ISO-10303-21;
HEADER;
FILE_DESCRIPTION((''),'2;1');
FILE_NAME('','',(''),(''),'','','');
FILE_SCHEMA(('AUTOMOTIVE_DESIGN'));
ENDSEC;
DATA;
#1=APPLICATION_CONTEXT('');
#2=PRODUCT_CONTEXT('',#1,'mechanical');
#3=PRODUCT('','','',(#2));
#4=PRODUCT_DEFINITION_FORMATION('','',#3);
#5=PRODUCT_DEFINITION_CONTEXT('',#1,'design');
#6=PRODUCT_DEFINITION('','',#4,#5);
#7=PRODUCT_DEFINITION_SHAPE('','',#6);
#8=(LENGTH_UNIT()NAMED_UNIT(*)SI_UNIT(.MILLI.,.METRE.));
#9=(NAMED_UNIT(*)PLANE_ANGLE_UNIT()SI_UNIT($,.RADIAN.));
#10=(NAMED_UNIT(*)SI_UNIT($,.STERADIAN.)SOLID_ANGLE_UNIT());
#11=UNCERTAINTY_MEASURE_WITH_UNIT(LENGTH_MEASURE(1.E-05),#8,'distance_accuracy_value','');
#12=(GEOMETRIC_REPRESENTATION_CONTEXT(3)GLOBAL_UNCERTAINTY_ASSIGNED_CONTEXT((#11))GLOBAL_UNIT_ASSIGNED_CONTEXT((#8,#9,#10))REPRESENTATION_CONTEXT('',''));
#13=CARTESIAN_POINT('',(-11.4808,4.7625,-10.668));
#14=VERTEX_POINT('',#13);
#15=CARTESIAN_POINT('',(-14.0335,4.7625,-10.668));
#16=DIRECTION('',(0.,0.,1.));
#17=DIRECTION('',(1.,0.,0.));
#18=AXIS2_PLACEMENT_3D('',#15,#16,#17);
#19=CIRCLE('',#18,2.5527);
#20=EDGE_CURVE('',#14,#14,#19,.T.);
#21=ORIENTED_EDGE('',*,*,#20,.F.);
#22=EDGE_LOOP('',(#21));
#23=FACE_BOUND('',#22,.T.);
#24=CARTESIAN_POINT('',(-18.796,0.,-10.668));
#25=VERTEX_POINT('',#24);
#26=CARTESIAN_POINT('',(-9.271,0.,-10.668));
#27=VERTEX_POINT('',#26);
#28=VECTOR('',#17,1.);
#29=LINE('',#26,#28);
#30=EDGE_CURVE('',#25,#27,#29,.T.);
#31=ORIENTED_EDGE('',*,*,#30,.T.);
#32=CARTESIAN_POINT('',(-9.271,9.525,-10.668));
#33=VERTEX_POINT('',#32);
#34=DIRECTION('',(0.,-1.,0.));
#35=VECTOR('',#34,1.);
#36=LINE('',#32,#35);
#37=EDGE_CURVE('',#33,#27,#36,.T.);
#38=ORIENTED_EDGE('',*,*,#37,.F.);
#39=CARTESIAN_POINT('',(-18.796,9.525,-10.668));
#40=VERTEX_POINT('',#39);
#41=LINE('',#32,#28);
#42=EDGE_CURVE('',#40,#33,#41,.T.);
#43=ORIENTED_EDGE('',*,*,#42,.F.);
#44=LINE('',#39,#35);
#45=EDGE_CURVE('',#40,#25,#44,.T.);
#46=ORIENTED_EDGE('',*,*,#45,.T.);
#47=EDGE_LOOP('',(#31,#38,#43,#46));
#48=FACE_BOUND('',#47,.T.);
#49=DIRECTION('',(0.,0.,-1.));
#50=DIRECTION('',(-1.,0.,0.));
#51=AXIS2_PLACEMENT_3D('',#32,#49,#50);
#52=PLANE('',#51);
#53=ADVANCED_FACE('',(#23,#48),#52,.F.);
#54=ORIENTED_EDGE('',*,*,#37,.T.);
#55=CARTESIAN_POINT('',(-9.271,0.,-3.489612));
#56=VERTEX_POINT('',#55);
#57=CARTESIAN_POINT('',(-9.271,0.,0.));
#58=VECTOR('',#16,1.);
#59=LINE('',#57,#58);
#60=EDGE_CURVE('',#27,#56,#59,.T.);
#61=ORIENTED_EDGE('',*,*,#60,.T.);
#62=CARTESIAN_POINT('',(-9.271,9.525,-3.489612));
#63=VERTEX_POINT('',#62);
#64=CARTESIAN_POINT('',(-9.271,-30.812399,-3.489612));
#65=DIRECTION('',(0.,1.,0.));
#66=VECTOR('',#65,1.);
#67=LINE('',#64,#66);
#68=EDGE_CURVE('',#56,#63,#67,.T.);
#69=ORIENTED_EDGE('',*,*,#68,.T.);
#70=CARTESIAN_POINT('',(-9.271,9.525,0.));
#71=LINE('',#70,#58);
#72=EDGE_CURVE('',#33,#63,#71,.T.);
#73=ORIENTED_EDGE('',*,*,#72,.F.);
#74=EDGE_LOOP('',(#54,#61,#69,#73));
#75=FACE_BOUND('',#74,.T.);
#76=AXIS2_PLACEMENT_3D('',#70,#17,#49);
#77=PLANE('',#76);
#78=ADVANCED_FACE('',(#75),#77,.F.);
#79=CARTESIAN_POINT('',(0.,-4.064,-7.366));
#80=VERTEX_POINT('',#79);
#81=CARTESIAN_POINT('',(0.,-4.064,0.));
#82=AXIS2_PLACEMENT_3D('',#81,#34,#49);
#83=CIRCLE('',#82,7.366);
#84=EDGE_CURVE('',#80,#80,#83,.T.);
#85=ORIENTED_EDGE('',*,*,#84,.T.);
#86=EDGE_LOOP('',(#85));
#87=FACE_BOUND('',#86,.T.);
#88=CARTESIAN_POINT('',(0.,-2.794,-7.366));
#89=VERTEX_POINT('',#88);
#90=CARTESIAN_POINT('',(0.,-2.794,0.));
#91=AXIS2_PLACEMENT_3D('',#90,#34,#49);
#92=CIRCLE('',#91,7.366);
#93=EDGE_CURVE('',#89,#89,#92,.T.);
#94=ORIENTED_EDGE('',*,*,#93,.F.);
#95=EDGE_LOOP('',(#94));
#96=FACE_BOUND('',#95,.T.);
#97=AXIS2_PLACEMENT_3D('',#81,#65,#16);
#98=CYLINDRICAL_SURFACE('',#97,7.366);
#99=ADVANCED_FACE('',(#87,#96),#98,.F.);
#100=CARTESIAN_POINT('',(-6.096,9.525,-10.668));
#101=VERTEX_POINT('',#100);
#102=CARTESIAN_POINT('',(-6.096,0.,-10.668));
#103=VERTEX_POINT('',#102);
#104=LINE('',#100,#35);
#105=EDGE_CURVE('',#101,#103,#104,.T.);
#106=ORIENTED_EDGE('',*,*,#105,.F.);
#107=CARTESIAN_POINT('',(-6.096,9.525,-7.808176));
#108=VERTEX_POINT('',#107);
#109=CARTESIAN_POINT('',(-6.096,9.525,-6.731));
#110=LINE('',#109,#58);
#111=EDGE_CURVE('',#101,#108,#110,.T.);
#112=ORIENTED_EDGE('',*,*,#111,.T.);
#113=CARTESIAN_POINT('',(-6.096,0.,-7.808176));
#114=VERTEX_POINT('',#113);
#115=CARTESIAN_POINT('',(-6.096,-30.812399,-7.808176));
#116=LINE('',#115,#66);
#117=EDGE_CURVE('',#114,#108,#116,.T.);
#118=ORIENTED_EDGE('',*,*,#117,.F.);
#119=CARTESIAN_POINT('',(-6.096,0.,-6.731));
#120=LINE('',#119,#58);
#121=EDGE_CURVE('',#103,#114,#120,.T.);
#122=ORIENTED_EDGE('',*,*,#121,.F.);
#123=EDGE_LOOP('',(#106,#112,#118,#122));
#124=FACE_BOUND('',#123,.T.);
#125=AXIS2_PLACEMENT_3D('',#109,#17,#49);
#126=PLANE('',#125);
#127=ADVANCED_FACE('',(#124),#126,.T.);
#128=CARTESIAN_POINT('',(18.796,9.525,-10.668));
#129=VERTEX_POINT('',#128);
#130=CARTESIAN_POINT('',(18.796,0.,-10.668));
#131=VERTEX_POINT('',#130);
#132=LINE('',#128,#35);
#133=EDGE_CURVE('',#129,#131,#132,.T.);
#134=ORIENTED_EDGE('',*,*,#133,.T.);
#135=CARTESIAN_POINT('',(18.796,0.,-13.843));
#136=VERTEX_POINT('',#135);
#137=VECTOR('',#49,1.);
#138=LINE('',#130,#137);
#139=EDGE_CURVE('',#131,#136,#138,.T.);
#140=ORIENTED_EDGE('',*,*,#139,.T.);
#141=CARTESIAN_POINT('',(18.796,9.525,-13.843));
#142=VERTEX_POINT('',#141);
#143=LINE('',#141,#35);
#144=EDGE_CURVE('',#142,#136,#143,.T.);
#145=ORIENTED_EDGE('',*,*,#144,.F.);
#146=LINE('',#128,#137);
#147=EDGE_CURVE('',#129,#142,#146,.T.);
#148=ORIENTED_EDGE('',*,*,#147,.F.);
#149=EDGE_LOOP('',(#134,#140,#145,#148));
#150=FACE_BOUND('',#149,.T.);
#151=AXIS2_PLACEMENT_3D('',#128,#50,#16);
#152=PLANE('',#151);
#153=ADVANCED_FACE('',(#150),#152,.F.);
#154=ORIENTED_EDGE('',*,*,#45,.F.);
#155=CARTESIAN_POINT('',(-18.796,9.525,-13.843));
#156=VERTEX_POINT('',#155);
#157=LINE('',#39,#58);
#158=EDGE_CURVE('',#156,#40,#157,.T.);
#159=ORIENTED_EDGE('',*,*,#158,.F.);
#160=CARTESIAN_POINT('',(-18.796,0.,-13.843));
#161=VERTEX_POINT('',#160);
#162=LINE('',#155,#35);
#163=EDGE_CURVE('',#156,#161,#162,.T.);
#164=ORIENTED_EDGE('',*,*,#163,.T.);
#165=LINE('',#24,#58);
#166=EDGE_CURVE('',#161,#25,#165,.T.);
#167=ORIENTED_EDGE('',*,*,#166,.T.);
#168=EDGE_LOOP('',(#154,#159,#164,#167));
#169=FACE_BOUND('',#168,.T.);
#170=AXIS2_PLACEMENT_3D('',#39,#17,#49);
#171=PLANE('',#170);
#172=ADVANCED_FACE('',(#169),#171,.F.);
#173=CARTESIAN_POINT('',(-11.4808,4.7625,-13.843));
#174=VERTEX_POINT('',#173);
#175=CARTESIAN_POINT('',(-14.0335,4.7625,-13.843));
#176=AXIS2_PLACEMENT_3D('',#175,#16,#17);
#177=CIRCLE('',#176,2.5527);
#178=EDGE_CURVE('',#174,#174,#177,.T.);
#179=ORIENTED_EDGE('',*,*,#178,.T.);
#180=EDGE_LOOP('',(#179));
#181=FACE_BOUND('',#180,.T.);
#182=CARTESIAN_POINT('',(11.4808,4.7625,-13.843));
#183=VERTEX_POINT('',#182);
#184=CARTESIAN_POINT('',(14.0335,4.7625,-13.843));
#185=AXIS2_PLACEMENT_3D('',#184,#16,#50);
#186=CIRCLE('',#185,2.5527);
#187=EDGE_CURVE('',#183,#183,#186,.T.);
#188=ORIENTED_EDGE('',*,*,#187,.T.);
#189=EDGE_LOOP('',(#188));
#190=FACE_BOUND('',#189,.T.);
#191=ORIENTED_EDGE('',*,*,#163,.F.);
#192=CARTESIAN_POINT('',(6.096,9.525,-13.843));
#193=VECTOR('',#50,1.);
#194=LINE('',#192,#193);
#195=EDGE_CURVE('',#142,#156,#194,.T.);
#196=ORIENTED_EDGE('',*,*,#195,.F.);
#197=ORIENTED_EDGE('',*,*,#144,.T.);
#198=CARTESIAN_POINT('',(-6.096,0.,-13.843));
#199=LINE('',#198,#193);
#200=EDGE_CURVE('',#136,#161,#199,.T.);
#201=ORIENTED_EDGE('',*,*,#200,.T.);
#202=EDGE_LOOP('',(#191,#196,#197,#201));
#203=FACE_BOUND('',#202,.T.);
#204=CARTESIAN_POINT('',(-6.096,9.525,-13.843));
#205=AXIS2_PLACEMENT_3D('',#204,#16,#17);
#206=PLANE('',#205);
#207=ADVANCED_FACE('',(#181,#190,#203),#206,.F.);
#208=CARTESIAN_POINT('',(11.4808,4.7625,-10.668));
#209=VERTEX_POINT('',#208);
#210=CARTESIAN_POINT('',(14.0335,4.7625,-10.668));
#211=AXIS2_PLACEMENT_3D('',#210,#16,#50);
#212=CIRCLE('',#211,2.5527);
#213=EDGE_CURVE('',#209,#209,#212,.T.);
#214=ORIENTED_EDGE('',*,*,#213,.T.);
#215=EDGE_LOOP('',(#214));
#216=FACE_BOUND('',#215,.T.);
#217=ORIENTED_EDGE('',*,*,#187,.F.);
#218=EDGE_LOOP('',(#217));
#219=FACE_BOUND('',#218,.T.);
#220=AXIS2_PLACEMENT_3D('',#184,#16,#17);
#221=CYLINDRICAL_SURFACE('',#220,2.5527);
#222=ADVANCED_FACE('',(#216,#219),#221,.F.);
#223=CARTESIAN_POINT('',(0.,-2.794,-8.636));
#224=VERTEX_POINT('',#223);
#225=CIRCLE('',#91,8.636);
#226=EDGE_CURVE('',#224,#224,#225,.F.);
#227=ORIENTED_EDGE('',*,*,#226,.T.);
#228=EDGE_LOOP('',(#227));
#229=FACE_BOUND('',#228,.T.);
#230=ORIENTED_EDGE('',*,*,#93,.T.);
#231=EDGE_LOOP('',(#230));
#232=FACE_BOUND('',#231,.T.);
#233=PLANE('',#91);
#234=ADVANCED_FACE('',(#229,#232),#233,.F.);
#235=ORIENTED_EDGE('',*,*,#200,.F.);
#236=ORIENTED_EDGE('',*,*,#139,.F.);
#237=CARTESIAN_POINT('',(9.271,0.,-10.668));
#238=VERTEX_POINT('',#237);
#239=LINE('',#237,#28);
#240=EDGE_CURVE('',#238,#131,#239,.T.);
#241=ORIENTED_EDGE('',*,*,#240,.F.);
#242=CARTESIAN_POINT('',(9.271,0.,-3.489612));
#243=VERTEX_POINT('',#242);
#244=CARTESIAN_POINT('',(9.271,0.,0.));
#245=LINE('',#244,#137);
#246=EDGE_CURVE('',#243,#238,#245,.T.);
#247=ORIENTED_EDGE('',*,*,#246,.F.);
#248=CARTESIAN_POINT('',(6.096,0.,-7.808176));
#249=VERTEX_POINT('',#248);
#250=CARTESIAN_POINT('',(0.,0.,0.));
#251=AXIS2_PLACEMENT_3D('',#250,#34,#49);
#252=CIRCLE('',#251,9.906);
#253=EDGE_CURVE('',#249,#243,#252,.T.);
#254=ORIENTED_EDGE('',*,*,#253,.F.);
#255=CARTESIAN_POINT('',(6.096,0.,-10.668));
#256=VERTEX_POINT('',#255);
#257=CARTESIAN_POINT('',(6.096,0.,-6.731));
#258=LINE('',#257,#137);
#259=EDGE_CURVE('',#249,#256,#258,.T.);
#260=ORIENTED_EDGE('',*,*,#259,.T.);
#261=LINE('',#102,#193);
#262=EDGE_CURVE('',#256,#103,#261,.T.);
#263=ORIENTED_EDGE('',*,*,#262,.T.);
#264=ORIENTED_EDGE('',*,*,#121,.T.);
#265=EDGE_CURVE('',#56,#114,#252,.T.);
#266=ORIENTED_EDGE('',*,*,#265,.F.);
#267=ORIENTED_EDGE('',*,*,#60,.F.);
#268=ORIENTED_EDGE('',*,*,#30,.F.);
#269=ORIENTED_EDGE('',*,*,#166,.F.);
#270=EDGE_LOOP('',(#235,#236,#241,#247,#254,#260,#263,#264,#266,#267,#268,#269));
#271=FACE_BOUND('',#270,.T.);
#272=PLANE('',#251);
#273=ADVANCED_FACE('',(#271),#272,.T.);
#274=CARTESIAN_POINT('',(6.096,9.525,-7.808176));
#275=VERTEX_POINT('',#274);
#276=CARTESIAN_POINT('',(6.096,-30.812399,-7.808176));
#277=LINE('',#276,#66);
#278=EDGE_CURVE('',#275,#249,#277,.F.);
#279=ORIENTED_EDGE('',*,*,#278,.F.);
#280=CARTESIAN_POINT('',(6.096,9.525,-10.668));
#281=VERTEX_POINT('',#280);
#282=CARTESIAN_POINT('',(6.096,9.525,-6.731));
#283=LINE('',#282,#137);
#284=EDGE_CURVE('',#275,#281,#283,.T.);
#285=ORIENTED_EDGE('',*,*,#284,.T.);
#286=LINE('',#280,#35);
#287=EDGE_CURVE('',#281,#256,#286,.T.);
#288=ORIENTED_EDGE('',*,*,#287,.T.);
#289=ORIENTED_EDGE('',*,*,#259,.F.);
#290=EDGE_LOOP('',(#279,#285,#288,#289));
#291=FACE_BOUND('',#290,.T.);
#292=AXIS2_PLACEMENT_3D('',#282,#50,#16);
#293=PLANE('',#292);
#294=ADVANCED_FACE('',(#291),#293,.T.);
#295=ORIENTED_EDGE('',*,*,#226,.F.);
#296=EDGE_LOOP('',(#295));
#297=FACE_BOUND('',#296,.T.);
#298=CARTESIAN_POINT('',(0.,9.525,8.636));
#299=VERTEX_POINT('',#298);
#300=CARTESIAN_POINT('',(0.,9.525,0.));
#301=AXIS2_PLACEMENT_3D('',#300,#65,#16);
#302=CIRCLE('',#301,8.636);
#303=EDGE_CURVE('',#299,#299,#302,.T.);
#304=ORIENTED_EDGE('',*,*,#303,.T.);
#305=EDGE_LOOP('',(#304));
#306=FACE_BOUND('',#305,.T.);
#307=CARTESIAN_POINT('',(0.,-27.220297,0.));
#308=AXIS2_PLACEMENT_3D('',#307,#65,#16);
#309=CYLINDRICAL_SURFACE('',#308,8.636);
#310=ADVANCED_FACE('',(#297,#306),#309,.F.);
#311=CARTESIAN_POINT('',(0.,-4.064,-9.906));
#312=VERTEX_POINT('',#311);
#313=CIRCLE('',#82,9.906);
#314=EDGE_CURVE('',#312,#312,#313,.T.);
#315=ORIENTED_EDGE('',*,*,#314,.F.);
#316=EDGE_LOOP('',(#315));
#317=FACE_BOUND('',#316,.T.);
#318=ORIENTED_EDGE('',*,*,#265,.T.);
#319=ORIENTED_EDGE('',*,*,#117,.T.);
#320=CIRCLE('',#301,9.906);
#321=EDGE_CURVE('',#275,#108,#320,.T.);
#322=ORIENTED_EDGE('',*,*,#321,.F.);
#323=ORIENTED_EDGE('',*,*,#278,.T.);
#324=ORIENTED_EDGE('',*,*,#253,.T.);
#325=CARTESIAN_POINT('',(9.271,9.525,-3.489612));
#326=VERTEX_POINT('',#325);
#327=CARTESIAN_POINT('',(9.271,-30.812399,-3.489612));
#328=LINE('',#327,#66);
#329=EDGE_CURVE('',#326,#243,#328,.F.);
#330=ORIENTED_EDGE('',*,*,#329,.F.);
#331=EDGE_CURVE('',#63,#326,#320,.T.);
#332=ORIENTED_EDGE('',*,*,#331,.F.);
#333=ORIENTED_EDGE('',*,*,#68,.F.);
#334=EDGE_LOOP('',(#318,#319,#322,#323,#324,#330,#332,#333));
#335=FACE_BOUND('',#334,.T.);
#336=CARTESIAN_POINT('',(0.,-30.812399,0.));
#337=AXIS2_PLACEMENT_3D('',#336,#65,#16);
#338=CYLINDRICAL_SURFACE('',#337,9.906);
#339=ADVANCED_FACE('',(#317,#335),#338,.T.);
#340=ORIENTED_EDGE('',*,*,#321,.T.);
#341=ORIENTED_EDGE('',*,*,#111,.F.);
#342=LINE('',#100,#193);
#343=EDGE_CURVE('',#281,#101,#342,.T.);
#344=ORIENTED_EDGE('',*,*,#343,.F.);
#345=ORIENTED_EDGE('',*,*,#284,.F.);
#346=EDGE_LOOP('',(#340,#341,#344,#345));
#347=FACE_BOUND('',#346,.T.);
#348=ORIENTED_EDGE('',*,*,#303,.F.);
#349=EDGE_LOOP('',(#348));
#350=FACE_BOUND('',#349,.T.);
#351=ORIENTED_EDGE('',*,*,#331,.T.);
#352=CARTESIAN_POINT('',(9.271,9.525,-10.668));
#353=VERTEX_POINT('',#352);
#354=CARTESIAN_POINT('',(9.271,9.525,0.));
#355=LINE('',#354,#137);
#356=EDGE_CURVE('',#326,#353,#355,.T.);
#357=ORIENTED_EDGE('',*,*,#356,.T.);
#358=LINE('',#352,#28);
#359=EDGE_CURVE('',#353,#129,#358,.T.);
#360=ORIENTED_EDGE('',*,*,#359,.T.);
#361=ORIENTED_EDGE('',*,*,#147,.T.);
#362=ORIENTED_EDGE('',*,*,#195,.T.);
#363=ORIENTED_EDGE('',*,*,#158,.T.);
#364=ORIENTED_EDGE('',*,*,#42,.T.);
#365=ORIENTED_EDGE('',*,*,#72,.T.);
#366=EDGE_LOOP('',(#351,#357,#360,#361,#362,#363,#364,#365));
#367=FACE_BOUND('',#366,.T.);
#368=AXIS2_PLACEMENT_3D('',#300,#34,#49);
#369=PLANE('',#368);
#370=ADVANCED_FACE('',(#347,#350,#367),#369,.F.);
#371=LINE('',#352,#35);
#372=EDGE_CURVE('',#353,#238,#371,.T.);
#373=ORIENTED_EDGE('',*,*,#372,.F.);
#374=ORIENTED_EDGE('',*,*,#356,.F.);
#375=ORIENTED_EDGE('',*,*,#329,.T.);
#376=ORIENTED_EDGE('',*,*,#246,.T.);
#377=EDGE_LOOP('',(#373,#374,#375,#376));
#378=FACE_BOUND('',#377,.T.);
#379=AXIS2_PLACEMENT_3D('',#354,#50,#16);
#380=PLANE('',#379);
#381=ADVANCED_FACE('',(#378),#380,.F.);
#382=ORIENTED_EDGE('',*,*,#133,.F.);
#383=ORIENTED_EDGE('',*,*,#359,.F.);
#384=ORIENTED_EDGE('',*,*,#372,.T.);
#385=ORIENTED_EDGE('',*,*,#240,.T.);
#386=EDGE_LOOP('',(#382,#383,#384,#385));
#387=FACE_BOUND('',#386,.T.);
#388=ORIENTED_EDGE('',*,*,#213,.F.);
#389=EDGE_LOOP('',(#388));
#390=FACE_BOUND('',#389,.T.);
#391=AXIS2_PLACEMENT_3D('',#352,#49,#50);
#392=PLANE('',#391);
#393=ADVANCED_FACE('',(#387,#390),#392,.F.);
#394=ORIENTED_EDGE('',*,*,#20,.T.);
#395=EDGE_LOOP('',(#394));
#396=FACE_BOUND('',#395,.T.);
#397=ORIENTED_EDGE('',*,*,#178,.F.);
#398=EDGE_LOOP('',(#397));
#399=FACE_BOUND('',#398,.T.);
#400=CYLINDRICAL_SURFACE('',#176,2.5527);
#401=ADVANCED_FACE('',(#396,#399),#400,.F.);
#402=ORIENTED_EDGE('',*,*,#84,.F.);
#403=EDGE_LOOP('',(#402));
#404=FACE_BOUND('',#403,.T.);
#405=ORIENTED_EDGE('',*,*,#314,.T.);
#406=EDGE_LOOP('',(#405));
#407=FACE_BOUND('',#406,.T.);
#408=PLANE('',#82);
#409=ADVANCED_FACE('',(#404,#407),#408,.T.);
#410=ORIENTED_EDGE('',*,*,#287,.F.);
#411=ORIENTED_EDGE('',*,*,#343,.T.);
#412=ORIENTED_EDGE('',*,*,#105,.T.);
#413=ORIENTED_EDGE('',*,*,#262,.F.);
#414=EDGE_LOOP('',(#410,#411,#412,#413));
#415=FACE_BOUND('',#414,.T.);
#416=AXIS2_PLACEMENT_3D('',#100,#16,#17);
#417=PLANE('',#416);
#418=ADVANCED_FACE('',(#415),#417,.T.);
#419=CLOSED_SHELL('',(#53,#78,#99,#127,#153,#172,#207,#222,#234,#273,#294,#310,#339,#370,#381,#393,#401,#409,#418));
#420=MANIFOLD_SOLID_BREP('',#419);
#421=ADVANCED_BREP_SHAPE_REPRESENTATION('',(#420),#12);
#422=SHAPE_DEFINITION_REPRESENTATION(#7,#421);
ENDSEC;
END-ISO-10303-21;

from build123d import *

# Parameters (mm, degrees)
SKETCH1_R           = 6.096
BOSS_EXTRUDE1_DEPTH = 9.525
SKETCH2_R           = 2.5527
CUT_EXTRUDE1_DEPTH  = 4.175
SKETCH3_R           = 9.271
SKETCH3_R_2         = 6.096
BOSS_EXTRUDE2_DEPTH = 2.794
SKETCH6_R           = 9.906
SKETCH6_R_2         = 8.636
BOSS_EXTRUDE4_DEPTH = 12.319
SKETCH5_R           = 8.636
CUT_EXTRUDE2_DEPTH  = 12.319
SKETCH4_R           = 9.906
SKETCH4_R_2         = 7.366
BOSS_EXTRUDE3_DEPTH = 1.27


with BuildPart() as part:
    # Sketch1 → Boss-Extrude1 (new body)
    with BuildSketch(Plane(origin=(0, 0, 0), x_dir=(1, 0, 0), z_dir=(0, 1, 0))):
        with BuildLine():
            Line((-9.271, 0), (-9.271, 10.668))
            Line((-9.271, 10.668), (-18.796, 10.668))
            Line((-18.796, 10.668), (-18.796, 13.843))
            Line((-18.796, 13.843), (-6.096, 13.843))
            Line((-6.096, 13.843), (6.096, 13.843))
            Line((6.096, 13.843), (18.796, 13.843))
            Line((18.796, 13.843), (18.796, 10.668))
            Line((18.796, 10.668), (9.271, 10.668))
            Line((9.271, 10.668), (9.271, 0))
            ThreePointArc((9.271, 0), (0, -9.271), (-9.271, 0))
        make_face()
        Circle(SKETCH1_R, mode=Mode.SUBTRACT)
        with BuildLine():
            Line((-6.096, 6.731), (-6.096, 10.668))
            Line((-6.096, 10.668), (6.096, 10.668))
            Line((6.096, 10.668), (6.096, 6.731))
            ThreePointArc((6.096, 6.731), (0, 9.081166059), (-6.096, 6.731))
        make_face(mode=Mode.SUBTRACT)
    extrude(amount=BOSS_EXTRUDE1_DEPTH)

    # Sketch2 → Cut-Extrude1 (cut, through all)
    with BuildSketch(Plane.XY.offset(-10.668)):
        with Locations((-14.0335, 4.7625)):
            Circle(SKETCH2_R)
        with Locations((14.0335, 4.7625)):
            Circle(SKETCH2_R)
    extrude(amount=-CUT_EXTRUDE1_DEPTH, mode=Mode.SUBTRACT)

    # Sketch3 → Boss-Extrude2 (add)
    with BuildSketch(Plane(origin=(0, 0, 0), x_dir=(-1, 0, 0), z_dir=(0, -1, 0))):
        Circle(SKETCH3_R)
        Circle(SKETCH3_R_2, mode=Mode.SUBTRACT)
    extrude(amount=BOSS_EXTRUDE2_DEPTH)

    # Sketch6 → Boss-Extrude4 (add)
    with BuildSketch(Plane(origin=(0, 9.525, 0), x_dir=(1, 0, 0), z_dir=(0, 1, 0))):
        Circle(SKETCH6_R)
        Circle(SKETCH6_R_2, mode=Mode.SUBTRACT)
    extrude(amount=-BOSS_EXTRUDE4_DEPTH)

    # Sketch5 → Cut-Extrude2 (cut)
    with BuildSketch(Plane(origin=(0, 9.525, 0), x_dir=(1, 0, 0), z_dir=(0, 1, 0))):
        Circle(SKETCH5_R)
    extrude(amount=-CUT_EXTRUDE2_DEPTH, mode=Mode.SUBTRACT)

    # Sketch4 → Boss-Extrude3 (add)
    with BuildSketch(Plane(origin=(0, -2.794, 0), x_dir=(-1, 0, 0), z_dir=(0, -1, 0))):
        Circle(SKETCH4_R)
        Circle(SKETCH4_R_2, mode=Mode.SUBTRACT)
    extrude(amount=BOSS_EXTRUDE3_DEPTH)


solid = part.part
